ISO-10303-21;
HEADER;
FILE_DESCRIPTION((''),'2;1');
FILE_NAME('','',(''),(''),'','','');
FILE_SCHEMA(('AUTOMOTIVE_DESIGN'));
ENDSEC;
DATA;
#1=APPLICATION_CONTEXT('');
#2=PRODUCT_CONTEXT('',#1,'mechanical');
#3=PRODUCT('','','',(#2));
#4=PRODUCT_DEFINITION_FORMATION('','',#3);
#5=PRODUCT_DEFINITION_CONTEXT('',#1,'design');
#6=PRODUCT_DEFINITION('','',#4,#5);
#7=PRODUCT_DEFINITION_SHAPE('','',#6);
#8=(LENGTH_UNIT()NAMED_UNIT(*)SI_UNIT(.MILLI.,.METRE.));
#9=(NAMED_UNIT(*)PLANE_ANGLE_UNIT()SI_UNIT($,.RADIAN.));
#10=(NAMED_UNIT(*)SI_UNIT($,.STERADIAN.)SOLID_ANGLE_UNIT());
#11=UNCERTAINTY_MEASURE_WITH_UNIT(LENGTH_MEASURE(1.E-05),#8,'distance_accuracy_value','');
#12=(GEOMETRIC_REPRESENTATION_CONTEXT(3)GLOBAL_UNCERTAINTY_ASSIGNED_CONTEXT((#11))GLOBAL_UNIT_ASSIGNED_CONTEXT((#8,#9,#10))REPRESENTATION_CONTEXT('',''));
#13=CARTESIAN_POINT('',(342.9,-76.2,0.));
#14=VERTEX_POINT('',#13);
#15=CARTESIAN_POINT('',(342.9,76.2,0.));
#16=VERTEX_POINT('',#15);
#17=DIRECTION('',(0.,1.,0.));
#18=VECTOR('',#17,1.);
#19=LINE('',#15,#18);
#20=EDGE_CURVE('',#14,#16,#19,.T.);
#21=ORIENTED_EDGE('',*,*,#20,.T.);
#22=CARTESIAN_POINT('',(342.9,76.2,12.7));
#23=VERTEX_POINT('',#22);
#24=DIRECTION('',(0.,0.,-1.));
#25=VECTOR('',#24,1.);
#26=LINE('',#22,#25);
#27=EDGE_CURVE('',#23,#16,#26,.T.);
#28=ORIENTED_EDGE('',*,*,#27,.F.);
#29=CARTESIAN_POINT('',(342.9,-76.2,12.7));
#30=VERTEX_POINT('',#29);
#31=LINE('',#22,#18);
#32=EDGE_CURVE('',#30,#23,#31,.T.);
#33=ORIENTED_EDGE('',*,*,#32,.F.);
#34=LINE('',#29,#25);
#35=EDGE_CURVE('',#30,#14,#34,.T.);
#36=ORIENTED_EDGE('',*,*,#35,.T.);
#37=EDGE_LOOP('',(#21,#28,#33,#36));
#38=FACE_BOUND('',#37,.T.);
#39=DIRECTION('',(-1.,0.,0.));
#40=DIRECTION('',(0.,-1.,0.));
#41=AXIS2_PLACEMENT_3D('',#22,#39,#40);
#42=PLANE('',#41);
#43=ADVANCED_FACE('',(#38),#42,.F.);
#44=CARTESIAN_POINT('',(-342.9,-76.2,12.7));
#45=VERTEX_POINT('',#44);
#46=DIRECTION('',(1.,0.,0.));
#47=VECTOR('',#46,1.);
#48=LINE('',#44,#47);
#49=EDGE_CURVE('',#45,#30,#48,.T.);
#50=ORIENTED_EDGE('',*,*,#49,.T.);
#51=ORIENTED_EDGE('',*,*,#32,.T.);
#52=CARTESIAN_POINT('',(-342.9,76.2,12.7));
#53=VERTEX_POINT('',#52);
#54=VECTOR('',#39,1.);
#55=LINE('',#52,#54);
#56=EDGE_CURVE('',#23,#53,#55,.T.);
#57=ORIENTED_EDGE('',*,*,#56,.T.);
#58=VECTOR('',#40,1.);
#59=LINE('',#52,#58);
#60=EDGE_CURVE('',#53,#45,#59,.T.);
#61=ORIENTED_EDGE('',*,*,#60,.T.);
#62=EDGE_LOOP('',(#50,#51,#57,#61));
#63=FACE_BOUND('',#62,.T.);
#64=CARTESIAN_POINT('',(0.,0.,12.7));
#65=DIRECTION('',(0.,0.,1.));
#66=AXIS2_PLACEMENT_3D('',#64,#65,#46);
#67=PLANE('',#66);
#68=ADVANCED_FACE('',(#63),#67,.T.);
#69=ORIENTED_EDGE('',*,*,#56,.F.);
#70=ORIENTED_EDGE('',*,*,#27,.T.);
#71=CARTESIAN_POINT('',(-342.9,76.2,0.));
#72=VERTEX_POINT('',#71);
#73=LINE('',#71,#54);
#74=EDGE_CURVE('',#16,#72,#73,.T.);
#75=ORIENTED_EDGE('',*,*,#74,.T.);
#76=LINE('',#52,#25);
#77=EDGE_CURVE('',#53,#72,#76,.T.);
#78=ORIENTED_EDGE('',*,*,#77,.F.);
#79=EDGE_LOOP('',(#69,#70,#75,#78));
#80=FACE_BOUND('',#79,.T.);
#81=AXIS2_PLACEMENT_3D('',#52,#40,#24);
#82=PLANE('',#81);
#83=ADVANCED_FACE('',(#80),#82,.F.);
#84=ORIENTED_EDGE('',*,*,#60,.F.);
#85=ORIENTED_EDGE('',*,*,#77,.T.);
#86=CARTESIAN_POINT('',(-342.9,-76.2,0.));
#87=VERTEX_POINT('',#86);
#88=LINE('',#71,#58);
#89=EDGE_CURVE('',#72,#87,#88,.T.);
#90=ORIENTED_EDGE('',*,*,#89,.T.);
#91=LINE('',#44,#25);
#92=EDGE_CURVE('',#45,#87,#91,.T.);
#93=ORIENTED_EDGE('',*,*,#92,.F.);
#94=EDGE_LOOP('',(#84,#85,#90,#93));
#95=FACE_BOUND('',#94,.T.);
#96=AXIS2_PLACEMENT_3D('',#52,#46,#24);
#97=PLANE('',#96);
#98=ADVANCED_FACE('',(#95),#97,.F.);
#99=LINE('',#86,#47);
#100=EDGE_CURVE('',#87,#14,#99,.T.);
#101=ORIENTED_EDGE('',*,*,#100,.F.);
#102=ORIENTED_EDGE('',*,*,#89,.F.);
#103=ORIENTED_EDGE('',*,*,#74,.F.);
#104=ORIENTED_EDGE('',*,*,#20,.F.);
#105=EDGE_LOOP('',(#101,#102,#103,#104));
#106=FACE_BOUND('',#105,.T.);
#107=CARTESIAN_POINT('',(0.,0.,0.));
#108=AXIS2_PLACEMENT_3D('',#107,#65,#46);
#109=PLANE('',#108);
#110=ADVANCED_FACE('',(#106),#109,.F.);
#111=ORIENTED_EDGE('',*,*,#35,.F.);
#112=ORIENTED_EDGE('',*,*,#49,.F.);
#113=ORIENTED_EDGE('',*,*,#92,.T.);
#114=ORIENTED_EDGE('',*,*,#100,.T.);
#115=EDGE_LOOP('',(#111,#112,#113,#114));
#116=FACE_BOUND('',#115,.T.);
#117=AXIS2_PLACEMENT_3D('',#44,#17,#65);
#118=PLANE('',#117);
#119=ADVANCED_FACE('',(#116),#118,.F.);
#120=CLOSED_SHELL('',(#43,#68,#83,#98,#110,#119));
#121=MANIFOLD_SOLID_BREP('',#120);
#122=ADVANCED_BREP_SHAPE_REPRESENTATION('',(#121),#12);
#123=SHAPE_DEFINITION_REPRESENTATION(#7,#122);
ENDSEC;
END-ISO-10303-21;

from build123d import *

# Parameters (mm, degrees)
SKETCH1_W           = 685.8
SKETCH1_H           = 152.4
BOSS_EXTRUDE1_DEPTH = 12.7


with BuildPart() as part:
    # Sketch1 → Boss-Extrude1 (new body)
    with BuildSketch(Plane.XY):
        Rectangle(SKETCH1_W, SKETCH1_H)
    extrude(amount=BOSS_EXTRUDE1_DEPTH)


solid = part.part
